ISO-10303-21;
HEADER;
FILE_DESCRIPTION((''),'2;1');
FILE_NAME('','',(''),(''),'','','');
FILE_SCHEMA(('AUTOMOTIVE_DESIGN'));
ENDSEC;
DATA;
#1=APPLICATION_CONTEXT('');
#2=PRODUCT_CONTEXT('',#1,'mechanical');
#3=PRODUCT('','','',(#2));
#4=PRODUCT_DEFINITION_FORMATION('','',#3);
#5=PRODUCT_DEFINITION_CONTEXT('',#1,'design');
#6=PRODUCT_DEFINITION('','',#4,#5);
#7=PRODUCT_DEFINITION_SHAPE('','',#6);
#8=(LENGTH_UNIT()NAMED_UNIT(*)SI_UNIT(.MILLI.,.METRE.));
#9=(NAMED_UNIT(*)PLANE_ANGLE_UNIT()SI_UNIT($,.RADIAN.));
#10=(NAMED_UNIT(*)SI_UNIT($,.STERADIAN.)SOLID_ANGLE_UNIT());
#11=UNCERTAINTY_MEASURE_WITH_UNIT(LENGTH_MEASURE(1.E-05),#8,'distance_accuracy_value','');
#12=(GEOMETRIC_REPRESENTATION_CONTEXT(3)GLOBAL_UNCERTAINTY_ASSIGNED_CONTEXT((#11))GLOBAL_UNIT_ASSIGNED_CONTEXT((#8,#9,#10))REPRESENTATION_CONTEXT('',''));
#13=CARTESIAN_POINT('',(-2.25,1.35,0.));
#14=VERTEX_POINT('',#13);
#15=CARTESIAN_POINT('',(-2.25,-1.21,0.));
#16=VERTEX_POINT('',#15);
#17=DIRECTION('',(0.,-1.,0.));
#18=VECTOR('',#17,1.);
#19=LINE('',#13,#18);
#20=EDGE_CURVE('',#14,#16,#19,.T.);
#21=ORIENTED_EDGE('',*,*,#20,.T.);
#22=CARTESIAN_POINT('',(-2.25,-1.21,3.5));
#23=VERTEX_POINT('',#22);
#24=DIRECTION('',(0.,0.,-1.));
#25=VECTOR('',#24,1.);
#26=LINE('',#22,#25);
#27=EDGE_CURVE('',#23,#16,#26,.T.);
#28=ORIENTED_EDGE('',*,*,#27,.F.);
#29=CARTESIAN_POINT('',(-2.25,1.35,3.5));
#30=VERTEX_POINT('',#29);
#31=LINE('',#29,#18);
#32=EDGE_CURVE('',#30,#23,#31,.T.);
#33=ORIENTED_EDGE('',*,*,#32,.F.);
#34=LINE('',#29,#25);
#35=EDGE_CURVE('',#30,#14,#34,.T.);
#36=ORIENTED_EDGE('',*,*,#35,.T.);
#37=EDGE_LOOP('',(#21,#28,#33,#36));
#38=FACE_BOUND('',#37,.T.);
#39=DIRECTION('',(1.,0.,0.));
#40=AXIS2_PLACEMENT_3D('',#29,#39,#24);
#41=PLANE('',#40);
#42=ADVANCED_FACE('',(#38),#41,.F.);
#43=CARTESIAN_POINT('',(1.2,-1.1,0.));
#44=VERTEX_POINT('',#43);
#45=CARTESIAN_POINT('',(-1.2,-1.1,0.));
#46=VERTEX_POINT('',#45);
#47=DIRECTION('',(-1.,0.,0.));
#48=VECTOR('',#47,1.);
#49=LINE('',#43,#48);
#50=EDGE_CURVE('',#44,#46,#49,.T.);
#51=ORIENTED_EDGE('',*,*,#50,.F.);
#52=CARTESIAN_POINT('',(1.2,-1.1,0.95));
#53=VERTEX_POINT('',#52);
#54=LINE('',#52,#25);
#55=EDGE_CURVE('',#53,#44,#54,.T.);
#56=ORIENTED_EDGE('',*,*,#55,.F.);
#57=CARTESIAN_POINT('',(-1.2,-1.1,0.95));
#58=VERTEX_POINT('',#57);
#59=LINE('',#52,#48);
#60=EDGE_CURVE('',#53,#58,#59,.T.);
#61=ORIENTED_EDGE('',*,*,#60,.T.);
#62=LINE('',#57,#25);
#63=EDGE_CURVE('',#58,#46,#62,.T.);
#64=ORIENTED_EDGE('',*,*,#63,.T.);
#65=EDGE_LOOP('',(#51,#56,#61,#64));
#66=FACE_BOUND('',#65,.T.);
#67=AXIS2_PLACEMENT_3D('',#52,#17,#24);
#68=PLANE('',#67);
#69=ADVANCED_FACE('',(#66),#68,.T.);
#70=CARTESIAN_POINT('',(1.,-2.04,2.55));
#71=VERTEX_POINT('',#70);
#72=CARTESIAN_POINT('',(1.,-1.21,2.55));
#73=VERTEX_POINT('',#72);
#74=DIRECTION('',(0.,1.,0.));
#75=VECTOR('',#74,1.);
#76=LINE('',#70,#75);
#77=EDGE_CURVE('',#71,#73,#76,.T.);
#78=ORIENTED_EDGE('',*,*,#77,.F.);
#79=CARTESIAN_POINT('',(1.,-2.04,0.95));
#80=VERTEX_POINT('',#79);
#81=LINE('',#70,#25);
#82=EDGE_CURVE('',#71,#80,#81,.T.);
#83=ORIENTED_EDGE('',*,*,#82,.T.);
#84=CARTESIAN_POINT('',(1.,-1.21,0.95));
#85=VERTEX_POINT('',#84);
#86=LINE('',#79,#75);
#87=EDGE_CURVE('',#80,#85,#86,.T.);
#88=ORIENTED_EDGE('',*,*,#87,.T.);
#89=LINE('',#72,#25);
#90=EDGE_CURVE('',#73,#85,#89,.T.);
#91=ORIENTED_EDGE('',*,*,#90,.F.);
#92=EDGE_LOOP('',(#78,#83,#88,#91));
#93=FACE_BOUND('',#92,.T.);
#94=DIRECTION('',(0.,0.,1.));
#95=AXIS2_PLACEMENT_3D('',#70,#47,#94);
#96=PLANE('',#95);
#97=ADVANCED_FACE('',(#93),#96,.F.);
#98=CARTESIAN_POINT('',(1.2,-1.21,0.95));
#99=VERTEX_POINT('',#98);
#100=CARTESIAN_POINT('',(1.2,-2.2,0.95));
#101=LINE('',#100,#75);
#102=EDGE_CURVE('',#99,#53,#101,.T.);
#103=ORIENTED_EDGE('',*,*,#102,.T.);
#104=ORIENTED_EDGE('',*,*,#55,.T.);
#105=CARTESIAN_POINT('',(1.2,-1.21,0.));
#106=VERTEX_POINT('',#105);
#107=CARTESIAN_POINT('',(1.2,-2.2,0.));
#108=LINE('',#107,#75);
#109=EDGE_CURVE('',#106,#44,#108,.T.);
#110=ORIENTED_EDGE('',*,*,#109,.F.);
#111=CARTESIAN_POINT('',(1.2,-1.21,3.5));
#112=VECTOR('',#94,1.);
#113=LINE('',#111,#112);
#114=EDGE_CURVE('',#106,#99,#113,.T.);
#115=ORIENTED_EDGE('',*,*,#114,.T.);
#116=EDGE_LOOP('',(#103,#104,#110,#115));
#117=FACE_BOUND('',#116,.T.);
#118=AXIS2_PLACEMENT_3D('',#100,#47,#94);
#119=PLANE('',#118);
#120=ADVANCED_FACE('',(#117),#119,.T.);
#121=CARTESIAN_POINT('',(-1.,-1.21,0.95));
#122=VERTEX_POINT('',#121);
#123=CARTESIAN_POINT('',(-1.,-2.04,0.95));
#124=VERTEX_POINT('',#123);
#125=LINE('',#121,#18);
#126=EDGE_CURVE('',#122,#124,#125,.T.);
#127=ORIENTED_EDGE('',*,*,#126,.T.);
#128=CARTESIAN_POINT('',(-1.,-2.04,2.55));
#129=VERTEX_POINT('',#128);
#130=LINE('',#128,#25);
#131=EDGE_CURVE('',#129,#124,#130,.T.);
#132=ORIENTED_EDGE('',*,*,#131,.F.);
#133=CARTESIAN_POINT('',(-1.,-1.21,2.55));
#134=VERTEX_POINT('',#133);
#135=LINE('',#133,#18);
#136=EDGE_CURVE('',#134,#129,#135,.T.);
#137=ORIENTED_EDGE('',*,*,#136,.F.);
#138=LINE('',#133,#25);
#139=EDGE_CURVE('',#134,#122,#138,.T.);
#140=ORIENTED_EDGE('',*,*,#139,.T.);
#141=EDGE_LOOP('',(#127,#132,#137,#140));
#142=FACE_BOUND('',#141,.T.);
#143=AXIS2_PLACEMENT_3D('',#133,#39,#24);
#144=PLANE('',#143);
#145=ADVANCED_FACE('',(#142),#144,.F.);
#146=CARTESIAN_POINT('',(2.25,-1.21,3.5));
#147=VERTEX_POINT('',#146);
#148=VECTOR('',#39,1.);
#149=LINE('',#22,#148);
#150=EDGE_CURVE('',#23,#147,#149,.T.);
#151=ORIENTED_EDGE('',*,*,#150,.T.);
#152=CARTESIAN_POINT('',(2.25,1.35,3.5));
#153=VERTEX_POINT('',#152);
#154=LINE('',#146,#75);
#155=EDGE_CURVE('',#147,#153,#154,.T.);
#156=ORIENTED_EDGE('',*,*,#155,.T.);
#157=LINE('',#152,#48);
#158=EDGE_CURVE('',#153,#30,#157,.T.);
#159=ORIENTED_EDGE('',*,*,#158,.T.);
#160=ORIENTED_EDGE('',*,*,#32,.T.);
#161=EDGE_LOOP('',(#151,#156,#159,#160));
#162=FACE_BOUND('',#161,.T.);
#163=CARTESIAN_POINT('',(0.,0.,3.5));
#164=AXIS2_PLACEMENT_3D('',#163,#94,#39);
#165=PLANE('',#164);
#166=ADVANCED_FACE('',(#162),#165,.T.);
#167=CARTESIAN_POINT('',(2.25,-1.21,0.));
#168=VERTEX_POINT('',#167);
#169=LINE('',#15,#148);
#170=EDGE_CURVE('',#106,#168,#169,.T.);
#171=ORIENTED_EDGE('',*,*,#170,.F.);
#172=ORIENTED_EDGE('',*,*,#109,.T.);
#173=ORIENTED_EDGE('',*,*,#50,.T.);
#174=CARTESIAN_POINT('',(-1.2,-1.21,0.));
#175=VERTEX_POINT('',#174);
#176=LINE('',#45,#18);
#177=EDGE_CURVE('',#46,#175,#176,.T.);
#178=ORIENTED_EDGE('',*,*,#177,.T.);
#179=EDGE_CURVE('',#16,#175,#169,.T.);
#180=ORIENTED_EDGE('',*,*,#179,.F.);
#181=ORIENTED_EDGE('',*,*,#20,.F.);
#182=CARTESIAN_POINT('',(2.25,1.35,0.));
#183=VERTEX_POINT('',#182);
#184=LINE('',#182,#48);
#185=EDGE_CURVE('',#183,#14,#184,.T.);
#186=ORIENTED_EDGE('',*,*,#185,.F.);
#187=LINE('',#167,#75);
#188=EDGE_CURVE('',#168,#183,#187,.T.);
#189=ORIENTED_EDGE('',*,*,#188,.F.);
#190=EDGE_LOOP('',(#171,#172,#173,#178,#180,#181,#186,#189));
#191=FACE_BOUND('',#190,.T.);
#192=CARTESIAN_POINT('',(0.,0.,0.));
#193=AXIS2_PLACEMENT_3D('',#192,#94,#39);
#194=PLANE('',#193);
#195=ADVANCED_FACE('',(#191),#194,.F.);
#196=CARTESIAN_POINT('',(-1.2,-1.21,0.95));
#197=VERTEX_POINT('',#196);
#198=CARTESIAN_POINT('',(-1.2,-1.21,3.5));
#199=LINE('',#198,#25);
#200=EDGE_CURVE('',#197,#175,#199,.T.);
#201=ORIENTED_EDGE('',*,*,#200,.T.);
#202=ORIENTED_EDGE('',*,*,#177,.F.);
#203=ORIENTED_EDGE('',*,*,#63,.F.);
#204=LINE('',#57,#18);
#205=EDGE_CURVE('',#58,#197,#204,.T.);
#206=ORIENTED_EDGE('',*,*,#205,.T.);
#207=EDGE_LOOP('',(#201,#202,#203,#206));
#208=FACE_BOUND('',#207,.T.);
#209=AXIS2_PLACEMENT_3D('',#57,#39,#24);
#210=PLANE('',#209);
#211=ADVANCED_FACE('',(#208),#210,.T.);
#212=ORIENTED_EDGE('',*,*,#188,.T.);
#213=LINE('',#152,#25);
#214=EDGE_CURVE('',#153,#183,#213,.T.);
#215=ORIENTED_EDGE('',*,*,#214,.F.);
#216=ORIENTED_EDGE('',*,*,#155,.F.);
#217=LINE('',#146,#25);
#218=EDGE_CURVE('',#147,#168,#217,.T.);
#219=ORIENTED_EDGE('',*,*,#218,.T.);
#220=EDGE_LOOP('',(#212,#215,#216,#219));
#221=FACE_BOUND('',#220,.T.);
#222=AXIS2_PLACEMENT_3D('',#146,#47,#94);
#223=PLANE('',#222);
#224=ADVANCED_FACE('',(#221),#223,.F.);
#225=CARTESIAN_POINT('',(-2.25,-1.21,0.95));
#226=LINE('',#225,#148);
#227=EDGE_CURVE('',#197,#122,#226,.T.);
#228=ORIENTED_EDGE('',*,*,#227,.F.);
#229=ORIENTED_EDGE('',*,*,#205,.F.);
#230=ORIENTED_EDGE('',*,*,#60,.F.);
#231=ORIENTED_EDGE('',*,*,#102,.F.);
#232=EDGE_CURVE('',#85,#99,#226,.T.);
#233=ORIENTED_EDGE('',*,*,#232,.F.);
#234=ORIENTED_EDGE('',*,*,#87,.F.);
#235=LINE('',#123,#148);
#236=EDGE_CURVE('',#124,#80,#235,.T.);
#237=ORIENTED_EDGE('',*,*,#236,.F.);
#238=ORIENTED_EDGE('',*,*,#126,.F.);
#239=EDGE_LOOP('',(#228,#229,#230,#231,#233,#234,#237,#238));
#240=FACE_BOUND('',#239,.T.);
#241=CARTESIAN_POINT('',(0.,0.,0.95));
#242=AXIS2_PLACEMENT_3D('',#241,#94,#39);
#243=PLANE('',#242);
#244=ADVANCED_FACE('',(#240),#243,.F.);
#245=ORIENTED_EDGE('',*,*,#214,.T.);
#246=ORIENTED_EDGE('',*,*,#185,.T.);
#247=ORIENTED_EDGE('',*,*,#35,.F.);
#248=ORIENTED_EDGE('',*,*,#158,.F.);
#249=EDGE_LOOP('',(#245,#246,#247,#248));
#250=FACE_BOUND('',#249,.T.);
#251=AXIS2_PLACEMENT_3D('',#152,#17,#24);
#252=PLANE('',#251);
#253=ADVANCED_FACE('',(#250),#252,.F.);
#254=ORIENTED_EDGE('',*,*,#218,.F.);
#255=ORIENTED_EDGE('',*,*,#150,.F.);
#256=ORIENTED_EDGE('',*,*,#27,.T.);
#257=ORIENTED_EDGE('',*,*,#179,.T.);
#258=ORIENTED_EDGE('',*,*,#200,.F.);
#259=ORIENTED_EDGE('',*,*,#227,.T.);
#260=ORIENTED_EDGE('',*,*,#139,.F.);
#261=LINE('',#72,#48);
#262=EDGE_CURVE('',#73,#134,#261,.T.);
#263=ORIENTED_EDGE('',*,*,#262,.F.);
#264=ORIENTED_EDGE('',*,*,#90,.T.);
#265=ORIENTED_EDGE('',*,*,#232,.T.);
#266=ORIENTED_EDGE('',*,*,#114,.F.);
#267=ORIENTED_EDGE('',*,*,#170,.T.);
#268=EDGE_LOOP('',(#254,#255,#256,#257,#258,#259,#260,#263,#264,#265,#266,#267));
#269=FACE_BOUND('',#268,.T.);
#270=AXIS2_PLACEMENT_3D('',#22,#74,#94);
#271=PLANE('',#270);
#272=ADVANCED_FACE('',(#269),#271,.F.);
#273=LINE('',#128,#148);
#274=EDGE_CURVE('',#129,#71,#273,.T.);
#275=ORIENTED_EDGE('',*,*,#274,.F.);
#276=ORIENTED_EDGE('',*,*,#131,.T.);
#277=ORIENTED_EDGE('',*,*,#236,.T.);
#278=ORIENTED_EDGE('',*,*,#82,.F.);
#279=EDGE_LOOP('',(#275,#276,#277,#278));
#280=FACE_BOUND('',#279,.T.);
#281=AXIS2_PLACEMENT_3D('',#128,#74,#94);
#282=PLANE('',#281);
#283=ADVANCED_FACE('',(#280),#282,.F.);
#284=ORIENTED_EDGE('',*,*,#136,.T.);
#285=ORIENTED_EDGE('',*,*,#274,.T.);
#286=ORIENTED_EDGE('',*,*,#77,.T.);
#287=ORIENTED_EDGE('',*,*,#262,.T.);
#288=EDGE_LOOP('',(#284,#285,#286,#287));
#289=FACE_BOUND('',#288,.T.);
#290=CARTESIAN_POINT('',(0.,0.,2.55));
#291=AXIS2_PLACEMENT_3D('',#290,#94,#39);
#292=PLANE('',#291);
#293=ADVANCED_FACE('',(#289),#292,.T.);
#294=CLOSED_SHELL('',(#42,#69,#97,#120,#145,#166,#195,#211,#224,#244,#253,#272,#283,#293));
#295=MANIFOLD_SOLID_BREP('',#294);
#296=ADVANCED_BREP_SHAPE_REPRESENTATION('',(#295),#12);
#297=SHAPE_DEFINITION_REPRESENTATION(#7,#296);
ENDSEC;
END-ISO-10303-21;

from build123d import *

# Parameters (mm, degrees)
SKETCH_1_W           = 4.5
SKETCH_1_H           = 2.56
BODY_DEPTH           = 3.5
SKETCH_2_W           = 2
SKETCH_2_H           = 0.83
STEM_FULL_DEPTH      = 2.55
SKETCH_3_W           = 2.4
SKETCH_3_H           = 1.1
STEM_LOWER_GAP_DEPTH = 0.95


with BuildPart() as part:
    # 草圖1 → body (new body)
    with BuildSketch(Plane.XY):
        with Locations((0, 0.07)):
            Rectangle(SKETCH_1_W, SKETCH_1_H)
    extrude(amount=BODY_DEPTH)

    # 草圖2 → stem full (add)
    with BuildSketch(Plane.XY):
        with Locations((0, -1.625)):
            Rectangle(SKETCH_2_W, SKETCH_2_H)
    extrude(amount=STEM_FULL_DEPTH)

    # 草圖3 → stem lower gap (cut)
    with BuildSketch(Plane.XY):
        with Locations((0, -1.65)):
            Rectangle(SKETCH_3_W, SKETCH_3_H)
    extrude(amount=STEM_LOWER_GAP_DEPTH, mode=Mode.SUBTRACT)


solid = part.part
